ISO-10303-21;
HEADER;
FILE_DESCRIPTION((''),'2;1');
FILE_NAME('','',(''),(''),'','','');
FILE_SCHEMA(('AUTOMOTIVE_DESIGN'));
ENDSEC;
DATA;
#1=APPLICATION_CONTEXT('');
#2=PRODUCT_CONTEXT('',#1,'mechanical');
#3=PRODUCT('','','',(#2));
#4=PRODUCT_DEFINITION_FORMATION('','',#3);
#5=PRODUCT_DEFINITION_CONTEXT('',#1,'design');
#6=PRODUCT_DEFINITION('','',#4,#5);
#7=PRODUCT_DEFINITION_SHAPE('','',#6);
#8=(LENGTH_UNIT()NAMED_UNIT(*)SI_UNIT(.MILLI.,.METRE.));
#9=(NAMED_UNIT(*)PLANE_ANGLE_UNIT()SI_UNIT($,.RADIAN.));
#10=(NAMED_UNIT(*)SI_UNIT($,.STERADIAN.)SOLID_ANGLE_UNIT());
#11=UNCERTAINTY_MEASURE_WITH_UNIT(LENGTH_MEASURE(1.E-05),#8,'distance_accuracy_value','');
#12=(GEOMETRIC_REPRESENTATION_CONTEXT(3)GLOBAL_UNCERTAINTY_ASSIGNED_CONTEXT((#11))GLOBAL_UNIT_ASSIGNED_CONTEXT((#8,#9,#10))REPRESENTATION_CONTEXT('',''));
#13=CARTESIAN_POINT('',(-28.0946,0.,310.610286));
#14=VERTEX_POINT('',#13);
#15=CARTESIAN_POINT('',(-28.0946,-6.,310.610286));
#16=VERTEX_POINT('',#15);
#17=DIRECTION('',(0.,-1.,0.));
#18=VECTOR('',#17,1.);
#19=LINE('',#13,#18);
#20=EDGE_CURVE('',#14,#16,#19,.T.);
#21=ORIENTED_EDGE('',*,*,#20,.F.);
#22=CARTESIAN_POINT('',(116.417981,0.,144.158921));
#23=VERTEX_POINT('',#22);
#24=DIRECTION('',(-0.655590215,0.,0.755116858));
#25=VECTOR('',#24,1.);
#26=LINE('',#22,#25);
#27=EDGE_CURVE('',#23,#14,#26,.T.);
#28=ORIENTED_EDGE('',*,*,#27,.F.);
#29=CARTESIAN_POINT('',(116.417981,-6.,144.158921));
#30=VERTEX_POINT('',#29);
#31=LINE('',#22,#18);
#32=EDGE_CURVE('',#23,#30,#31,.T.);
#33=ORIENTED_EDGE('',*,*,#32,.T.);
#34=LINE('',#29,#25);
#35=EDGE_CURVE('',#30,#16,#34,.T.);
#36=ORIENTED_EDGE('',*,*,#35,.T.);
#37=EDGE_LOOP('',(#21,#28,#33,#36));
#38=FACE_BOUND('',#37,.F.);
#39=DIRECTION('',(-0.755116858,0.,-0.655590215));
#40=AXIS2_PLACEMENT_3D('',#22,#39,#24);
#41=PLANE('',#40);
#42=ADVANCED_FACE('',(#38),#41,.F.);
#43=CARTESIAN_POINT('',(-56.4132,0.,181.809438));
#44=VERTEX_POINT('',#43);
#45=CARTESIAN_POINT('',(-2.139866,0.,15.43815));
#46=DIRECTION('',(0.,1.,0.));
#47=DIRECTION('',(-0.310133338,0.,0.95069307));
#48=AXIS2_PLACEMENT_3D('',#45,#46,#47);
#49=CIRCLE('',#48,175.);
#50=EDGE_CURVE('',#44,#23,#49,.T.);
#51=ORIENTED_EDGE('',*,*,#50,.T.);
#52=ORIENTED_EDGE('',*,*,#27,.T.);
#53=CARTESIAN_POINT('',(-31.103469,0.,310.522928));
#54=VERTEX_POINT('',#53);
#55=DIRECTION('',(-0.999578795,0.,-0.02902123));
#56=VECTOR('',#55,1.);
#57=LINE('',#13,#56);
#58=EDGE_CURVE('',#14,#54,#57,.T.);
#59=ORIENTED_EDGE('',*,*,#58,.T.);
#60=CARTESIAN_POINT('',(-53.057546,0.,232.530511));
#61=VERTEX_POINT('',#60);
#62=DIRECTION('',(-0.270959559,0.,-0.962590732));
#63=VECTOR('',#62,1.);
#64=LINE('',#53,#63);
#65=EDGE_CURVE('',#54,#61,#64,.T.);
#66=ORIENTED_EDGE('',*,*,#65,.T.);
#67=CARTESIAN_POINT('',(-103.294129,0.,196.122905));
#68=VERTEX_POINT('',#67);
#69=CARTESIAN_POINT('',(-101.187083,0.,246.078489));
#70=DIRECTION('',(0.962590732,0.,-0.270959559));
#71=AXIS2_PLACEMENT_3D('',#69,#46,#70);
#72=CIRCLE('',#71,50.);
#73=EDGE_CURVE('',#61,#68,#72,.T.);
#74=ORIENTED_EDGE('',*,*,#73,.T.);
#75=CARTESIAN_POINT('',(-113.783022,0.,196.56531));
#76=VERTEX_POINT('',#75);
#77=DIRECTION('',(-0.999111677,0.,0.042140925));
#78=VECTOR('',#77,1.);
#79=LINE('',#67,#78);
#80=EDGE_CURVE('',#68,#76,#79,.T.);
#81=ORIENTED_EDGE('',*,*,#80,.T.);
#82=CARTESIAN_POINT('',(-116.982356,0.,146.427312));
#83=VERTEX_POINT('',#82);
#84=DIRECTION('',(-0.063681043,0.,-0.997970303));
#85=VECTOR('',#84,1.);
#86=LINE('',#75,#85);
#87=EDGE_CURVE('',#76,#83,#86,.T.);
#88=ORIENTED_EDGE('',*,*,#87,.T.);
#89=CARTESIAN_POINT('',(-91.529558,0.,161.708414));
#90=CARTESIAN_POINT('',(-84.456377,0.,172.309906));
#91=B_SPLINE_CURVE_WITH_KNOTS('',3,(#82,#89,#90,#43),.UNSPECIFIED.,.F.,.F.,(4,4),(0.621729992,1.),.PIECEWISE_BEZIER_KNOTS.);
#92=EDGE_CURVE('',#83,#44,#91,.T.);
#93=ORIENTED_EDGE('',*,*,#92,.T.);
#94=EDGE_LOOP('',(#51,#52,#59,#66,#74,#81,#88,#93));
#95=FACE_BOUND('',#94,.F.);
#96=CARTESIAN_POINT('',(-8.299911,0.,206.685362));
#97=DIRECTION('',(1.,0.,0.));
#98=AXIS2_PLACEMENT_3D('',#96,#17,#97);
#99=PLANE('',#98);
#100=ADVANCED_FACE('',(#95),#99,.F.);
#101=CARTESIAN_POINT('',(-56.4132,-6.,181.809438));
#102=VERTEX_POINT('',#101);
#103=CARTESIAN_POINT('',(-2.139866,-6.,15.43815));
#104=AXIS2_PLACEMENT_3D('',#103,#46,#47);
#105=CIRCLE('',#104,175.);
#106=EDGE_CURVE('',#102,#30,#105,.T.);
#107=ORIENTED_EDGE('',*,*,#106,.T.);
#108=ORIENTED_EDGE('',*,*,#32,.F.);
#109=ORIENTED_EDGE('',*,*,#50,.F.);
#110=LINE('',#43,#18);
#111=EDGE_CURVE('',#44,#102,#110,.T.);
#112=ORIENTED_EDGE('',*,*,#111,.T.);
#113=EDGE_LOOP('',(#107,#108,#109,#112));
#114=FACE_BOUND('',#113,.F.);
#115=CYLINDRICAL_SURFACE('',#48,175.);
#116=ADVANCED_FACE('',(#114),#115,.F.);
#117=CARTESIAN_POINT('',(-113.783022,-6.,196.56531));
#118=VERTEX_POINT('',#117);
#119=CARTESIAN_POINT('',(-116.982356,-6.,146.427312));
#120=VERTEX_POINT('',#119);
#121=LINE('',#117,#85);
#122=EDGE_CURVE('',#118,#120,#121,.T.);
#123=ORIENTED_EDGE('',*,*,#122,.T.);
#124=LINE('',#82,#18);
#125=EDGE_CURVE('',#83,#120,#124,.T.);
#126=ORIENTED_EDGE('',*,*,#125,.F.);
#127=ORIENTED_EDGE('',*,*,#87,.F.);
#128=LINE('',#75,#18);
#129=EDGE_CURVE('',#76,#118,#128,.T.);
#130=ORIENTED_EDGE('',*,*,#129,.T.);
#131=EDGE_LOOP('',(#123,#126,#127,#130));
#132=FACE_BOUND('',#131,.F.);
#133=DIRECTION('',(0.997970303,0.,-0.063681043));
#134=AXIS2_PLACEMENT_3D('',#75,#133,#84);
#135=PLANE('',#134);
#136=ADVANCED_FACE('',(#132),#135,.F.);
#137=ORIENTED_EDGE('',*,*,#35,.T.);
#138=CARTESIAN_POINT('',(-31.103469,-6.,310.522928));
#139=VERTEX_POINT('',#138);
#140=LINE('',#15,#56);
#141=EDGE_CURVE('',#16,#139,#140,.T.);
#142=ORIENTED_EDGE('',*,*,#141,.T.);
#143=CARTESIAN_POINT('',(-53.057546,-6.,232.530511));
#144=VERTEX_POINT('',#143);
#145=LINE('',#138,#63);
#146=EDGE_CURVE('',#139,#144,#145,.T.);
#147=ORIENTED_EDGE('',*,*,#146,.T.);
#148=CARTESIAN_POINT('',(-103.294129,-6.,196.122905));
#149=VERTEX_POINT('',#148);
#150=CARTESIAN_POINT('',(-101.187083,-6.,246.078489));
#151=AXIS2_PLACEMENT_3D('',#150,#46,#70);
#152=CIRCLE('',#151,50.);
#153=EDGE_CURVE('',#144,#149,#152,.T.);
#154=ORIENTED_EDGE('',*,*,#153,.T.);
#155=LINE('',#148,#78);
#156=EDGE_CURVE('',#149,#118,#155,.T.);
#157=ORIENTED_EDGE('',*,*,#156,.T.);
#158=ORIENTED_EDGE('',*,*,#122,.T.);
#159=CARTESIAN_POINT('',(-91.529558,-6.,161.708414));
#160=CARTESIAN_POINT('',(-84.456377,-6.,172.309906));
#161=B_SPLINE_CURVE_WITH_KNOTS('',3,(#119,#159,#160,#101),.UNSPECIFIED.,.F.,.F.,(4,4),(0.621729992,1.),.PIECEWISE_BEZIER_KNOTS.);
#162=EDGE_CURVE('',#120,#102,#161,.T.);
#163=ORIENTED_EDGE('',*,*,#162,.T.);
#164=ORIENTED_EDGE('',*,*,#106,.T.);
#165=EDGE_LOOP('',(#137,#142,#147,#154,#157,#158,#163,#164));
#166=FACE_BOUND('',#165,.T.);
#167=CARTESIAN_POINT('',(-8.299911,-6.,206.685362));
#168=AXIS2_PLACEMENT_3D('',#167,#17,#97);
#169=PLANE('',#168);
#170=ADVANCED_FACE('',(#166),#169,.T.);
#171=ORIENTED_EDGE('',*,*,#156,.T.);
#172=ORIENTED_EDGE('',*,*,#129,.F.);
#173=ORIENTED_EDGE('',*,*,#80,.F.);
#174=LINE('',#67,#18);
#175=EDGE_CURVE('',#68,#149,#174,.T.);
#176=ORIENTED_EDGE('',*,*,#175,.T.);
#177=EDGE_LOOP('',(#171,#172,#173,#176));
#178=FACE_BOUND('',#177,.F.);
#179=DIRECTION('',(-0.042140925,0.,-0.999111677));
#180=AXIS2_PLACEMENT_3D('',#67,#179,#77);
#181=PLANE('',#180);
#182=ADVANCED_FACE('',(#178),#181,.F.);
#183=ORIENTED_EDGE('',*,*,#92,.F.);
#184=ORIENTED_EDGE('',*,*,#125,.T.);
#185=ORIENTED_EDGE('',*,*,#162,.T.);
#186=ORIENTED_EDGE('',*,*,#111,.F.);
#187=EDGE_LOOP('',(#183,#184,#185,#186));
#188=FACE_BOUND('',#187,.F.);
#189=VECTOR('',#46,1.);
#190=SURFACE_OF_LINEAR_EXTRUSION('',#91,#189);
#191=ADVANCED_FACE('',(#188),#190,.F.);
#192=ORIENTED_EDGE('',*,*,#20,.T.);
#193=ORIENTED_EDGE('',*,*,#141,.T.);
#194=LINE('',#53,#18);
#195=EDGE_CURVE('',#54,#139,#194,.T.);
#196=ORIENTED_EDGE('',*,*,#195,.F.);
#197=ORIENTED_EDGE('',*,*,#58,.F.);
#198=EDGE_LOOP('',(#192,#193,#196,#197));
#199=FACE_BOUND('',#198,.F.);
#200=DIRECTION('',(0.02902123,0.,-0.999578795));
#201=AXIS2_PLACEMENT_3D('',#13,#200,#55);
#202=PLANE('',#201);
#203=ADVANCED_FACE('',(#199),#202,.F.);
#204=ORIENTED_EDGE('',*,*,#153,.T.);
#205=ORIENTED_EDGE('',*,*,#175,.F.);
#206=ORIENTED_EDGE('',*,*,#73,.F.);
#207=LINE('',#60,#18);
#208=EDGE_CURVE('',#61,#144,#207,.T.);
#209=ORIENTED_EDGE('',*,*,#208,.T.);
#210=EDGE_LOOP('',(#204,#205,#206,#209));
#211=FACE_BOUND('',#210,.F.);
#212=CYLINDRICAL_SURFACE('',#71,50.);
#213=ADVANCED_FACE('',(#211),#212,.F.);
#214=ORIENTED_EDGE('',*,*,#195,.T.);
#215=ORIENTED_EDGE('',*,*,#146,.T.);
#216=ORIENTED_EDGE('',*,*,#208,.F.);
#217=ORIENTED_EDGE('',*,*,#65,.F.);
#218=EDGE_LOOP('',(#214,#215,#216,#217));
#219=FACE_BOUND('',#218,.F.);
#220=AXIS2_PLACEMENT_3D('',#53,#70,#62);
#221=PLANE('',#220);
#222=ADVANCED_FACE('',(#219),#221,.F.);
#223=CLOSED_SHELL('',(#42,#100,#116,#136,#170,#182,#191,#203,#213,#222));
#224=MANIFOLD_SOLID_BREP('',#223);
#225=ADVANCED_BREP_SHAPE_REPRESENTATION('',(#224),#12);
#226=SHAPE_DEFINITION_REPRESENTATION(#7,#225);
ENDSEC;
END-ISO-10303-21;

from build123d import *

# Parameters (mm, degrees)
F1_DEPTH = 6


with BuildPart() as f1:
    # F0 (on Front) → F1 (new body)
    with BuildSketch(Plane.XZ):
        with BuildLine():
            Line((-113.7830221973, 196.5653101416), (-116.9823558728, 146.4273122476))
            add(Edge.make_bspline(
                [(-116.9823558728, 146.4273122476), (-91.5295582515, 161.7084143763), (-84.4563773973, 172.3099058233), (-56.413200461, 181.8094376312)],
                knots=[0.6217299922, 0.6217299922, 0.6217299922, 0.6217299922, 1, 1, 1, 1], degree=3))
            ThreePointArc((-56.413200461, 181.8094376312), (35.1094960363, 186.4278723491), (116.4179808184, 144.1589213822))
            Line((116.4179808184, 144.1589213822), (-28.0945999151, 310.6102859554))
            Line((-28.0945999151, 310.6102859554), (-31.1034692521, 310.5229280694))
            Line((-31.1034692521, 310.5229280694), (-53.0575460655, 232.5305113428))
            ThreePointArc((-53.0575460655, 232.5305113428), (-71.8460560006, 205.592638023), (-103.2941289159, 196.1229054773))
            Line((-103.2941289159, 196.1229054773), (-113.7830221973, 196.5653101416))
        make_face()
    extrude(amount=F1_DEPTH)


solid = f1.part
